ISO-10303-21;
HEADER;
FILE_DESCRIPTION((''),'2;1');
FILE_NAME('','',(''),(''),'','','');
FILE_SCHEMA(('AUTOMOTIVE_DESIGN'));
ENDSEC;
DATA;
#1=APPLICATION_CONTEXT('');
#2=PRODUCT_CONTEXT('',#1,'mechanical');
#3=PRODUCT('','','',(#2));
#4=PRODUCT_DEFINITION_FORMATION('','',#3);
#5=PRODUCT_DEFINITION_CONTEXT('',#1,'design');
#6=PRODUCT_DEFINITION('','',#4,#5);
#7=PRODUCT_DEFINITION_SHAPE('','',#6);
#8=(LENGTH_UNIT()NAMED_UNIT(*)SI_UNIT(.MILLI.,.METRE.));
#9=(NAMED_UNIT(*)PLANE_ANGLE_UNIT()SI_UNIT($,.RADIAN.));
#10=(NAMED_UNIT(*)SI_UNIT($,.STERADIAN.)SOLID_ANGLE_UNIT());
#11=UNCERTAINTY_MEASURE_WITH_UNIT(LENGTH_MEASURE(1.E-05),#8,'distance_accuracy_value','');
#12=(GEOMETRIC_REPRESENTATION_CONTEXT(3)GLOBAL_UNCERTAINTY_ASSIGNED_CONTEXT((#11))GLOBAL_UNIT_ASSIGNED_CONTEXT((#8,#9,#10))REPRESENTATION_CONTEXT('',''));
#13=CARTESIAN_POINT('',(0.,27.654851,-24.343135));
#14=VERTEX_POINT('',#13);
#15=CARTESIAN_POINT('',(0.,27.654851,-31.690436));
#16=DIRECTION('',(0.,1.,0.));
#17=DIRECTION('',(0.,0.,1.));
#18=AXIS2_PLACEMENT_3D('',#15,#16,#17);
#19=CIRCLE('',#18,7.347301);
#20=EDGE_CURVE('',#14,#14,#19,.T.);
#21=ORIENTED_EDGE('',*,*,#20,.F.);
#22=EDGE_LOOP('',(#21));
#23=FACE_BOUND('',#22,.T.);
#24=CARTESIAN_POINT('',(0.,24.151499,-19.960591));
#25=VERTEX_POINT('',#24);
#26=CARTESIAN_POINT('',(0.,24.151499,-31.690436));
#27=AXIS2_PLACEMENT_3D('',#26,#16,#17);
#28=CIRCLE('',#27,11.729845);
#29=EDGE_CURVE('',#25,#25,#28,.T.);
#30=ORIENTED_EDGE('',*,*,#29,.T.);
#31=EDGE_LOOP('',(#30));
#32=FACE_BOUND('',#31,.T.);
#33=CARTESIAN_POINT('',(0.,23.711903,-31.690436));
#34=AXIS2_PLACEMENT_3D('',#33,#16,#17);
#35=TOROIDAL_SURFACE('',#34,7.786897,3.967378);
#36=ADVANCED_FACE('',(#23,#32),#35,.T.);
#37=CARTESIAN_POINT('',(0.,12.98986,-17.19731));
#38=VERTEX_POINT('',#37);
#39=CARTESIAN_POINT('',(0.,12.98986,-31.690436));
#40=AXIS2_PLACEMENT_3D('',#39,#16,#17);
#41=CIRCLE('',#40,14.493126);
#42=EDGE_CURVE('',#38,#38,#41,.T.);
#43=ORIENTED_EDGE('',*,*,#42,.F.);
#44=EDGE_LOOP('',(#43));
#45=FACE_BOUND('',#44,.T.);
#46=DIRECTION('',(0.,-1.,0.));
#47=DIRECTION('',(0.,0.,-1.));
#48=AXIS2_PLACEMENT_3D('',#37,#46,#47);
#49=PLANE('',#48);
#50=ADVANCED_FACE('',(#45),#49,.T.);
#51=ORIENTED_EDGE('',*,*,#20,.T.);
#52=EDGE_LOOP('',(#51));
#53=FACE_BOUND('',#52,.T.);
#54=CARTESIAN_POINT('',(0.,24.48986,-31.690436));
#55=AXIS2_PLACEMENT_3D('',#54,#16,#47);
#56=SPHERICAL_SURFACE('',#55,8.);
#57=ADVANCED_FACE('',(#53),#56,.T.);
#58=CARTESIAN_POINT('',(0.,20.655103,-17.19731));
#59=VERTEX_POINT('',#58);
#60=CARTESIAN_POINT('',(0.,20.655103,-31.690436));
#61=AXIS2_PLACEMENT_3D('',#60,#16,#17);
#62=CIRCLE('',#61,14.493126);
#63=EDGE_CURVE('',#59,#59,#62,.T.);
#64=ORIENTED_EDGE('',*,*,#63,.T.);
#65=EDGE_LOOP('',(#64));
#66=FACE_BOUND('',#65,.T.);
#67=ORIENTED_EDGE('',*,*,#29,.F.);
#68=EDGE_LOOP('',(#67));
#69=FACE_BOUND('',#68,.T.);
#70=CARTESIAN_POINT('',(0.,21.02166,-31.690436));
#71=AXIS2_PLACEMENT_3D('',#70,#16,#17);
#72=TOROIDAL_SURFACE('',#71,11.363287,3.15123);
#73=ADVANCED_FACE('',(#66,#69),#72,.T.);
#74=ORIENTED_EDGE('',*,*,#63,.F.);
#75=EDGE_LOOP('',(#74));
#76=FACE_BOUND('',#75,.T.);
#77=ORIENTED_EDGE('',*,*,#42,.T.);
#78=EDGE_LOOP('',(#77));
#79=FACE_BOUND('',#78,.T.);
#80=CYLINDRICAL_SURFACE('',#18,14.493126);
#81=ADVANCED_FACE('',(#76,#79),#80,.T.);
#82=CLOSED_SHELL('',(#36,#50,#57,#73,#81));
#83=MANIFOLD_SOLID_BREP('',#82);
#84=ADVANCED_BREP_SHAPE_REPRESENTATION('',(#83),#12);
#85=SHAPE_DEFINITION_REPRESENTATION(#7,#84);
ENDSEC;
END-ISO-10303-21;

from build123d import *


with BuildPart() as part:
    # 스케치1 → 회전2 (revolve)
    with BuildSketch(Plane(origin=(0, 0, 0), x_dir=(0, 0, -1), z_dir=(1, 0, 0))):
        with BuildLine():
            Line((17.197310172, 20.655102766), (17.197310172, 12.989859799))
            Line((17.197310172, 12.989859799), (31.690436017, 12.989859799))
            Line((31.690436017, 12.989859799), (31.690436017, 32.489859799))
            ThreePointArc((31.690436017, 32.489859799), (27.292705315, 31.172670935), (24.343135091, 27.654850968))
            ThreePointArc((24.343135091, 27.654850968), (21.426295059, 26.810829531), (19.960590975, 24.151498885))
            ThreePointArc((19.960590975, 24.151498885), (17.854823227, 22.975595018), (17.197310172, 20.655102766))
        make_face()
    revolve(axis=Axis((0, 27.654850968, -31.690436017), (0, -1, 0)))


solid = part.part
